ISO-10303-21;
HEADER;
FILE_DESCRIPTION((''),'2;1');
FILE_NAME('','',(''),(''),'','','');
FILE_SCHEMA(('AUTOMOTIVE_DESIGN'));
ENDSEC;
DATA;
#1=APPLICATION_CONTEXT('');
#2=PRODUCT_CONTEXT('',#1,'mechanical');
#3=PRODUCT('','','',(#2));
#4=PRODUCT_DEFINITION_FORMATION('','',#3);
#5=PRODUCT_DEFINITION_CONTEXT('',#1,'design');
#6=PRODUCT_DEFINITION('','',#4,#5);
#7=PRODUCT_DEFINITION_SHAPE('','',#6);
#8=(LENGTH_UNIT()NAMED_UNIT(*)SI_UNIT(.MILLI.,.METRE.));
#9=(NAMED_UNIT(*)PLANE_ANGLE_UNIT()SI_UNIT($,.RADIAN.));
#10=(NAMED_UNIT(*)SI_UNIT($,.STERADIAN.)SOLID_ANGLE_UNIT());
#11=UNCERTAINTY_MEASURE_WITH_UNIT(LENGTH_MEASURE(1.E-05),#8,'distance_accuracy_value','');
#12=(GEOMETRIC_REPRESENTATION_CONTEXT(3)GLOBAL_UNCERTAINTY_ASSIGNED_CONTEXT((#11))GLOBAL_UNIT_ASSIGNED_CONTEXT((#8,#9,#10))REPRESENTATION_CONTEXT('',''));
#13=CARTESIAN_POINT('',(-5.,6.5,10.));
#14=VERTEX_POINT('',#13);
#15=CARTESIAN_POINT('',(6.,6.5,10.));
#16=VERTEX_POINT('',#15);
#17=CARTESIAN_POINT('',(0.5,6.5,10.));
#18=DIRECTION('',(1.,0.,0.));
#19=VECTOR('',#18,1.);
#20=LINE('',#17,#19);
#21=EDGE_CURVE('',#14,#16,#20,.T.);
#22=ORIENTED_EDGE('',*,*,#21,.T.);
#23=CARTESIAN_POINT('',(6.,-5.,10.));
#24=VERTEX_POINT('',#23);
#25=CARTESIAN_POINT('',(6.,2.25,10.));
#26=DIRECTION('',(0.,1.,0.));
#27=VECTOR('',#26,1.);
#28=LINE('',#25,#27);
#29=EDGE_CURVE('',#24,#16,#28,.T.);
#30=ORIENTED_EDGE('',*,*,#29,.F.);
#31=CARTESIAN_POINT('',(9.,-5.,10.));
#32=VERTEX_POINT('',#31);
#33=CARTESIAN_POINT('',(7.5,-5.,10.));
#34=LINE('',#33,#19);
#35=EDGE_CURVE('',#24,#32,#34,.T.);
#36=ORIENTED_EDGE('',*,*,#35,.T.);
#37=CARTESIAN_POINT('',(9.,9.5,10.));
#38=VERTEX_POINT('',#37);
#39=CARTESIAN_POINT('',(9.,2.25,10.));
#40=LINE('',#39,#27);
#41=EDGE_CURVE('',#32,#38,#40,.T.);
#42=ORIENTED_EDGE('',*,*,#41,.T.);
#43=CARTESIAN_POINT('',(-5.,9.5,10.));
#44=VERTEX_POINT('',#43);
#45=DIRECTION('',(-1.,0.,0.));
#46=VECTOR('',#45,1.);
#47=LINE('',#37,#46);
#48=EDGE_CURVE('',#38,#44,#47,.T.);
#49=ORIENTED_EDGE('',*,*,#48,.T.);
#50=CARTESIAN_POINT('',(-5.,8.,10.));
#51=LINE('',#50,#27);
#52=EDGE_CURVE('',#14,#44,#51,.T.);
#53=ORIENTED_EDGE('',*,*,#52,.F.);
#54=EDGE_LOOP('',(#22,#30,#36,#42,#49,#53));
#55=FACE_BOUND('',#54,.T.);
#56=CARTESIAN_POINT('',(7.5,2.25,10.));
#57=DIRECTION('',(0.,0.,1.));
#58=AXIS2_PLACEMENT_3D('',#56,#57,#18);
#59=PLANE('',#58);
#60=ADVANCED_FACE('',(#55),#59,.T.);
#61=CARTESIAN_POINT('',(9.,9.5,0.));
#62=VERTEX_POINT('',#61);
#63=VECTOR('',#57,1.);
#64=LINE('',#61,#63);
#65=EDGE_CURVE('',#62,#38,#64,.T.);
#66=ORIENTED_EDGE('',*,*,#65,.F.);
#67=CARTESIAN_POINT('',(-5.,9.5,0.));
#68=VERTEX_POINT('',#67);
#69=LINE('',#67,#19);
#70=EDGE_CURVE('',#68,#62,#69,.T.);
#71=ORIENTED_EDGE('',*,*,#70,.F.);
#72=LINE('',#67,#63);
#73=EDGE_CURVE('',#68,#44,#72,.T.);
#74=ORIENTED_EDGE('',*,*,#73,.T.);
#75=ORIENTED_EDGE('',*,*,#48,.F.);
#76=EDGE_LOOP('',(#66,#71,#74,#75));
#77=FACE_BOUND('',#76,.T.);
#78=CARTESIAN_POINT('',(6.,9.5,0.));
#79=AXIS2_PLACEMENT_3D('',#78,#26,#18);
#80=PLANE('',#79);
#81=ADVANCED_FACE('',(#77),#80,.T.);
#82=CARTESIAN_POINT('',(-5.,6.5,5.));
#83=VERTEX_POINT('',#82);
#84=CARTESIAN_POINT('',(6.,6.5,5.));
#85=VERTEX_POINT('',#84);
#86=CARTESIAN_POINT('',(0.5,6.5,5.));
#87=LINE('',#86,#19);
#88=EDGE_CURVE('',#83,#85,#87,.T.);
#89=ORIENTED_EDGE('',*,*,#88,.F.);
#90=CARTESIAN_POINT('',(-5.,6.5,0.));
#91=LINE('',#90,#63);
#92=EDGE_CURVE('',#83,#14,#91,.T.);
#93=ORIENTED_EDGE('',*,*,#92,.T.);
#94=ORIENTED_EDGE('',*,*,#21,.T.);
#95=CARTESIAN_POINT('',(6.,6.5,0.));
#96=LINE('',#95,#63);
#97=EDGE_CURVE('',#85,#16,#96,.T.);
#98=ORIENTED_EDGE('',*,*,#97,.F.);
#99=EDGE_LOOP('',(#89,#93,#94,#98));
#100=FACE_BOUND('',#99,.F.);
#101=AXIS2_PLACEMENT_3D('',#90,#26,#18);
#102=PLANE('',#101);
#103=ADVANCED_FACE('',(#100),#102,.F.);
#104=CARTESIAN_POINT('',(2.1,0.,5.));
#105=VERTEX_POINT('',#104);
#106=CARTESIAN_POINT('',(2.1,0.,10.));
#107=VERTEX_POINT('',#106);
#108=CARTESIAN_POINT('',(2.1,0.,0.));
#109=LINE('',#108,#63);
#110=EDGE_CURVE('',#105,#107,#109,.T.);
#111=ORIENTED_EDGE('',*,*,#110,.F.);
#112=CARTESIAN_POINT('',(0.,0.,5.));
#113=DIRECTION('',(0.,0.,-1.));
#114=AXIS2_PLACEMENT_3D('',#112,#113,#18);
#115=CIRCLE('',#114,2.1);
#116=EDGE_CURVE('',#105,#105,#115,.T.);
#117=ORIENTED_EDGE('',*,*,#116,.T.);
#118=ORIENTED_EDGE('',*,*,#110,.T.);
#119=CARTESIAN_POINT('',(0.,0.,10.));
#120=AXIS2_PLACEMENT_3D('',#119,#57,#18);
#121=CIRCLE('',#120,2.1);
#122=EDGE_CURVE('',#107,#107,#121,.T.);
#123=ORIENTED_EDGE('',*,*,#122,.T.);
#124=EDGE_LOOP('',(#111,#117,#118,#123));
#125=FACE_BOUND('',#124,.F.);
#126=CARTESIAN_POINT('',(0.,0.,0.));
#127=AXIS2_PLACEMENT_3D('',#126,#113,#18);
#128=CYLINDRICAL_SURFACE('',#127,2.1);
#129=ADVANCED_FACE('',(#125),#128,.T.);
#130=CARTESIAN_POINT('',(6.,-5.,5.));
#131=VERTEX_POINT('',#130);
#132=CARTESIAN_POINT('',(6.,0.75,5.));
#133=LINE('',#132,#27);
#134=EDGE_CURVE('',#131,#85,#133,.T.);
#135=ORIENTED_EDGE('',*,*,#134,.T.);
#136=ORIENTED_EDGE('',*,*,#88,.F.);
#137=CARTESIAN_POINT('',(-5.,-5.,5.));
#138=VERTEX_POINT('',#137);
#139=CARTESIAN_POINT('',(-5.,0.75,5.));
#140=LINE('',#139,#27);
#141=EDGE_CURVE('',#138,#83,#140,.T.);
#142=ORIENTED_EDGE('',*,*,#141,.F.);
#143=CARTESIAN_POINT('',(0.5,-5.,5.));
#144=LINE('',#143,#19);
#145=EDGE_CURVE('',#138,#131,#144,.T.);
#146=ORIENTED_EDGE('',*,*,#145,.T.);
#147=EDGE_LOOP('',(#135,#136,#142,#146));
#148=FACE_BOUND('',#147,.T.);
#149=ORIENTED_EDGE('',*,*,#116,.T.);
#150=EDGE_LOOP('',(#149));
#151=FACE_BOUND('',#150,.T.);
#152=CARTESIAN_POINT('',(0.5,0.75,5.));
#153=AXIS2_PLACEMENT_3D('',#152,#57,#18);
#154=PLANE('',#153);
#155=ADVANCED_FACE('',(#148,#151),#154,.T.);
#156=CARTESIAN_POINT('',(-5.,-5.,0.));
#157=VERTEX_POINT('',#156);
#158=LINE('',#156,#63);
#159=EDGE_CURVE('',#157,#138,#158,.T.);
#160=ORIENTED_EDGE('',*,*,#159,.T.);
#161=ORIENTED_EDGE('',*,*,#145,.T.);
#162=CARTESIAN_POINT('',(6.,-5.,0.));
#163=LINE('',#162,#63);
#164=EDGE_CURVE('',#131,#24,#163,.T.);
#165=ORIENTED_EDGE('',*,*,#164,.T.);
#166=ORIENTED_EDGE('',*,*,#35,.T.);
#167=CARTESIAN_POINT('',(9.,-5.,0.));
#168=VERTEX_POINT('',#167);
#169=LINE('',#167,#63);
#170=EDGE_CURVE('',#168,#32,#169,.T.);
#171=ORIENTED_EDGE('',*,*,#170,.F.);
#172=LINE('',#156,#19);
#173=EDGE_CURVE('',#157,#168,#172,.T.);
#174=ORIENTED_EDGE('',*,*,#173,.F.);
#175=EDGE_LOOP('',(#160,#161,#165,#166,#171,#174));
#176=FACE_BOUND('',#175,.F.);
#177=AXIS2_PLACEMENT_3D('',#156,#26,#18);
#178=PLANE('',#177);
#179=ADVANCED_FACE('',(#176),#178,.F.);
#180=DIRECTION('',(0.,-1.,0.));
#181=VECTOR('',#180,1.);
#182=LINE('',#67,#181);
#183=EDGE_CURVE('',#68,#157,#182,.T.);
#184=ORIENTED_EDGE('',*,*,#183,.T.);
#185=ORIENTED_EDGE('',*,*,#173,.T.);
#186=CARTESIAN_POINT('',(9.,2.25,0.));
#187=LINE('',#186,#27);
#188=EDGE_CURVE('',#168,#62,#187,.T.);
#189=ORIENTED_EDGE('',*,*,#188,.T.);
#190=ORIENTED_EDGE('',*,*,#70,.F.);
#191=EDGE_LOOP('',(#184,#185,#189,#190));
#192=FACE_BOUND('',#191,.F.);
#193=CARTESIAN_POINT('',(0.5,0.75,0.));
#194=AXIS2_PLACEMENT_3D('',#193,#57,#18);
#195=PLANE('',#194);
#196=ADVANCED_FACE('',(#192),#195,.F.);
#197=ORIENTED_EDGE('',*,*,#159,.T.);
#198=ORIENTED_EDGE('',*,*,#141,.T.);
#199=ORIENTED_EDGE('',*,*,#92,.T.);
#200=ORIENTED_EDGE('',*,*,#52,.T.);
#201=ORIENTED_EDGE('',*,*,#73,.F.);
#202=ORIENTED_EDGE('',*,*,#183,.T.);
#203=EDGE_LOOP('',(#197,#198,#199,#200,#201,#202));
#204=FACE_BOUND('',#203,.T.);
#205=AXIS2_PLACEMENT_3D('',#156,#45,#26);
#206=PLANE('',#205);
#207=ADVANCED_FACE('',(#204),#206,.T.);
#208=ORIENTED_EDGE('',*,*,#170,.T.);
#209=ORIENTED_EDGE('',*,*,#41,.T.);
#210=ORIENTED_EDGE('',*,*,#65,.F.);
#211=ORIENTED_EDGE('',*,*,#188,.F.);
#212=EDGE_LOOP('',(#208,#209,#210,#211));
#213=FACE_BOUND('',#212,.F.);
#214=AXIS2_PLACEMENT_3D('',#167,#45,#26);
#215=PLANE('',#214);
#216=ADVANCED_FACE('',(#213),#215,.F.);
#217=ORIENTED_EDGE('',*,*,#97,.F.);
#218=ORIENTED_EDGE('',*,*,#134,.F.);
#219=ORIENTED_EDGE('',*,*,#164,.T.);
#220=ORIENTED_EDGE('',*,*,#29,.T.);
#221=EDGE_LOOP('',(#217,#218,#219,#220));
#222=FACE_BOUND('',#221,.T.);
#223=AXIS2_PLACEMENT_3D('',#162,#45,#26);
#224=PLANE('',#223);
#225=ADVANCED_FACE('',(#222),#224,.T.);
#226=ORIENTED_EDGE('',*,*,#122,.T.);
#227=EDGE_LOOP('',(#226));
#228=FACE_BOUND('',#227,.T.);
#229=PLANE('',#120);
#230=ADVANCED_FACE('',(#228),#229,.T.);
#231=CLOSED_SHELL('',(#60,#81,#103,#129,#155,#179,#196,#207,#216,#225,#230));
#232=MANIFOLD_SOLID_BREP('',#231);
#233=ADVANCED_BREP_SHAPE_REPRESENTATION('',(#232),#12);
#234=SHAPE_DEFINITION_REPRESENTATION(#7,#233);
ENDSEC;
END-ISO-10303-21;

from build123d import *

# Parameters (mm, degrees)
CYLINDER_R     = 2.1
CYLINDER_DEPTH = 10
BOX002_W       = 3
BOX002_H       = 14.5
BOX002_DEPTH   = 10
BOX_W          = 11
BOX_H          = 11.5
BOX_DEPTH      = 5
BOX001_W       = 11
BOX001_H       = 3
BOX001_DEPTH   = 10


with BuildPart() as cylinder:
    # Cylinder → Cylinder (new body)
    with BuildSketch(Plane.XY):
        Circle(CYLINDER_R)
    extrude(amount=CYLINDER_DEPTH)


with BuildPart() as cube002:
    # Box002 → Box002 (new body)
    with BuildSketch(Plane(origin=(6, -5, 0), x_dir=(1, 0, 0), z_dir=(0, 0, 1))):
        with Locations((1.5, 7.25)):
            Rectangle(BOX002_W, BOX002_H)
    extrude(amount=BOX002_DEPTH)


with BuildPart() as cube:
    # Box → Box (new body)
    with BuildSketch(Plane(origin=(-5, -5, 0), x_dir=(1, 0, 0), z_dir=(0, 0, 1))):
        with Locations((5.5, 5.75)):
            Rectangle(BOX_W, BOX_H)
    extrude(amount=BOX_DEPTH)


with BuildPart() as fusion:
    # Box001 → Box001 (new body)
    with BuildSketch(Plane(origin=(-5, 6.5, 0), x_dir=(1, 0, 0), z_dir=(0, 0, 1))):
        with Locations((5.5, 1.5)):
            Rectangle(BOX001_W, BOX001_H)
    extrude(amount=BOX001_DEPTH)

    # Fusion: union Cylinder, Cube002, Cube
    add(cylinder.part)
    add(cube002.part)
    add(cube.part)


solid = fusion.part
